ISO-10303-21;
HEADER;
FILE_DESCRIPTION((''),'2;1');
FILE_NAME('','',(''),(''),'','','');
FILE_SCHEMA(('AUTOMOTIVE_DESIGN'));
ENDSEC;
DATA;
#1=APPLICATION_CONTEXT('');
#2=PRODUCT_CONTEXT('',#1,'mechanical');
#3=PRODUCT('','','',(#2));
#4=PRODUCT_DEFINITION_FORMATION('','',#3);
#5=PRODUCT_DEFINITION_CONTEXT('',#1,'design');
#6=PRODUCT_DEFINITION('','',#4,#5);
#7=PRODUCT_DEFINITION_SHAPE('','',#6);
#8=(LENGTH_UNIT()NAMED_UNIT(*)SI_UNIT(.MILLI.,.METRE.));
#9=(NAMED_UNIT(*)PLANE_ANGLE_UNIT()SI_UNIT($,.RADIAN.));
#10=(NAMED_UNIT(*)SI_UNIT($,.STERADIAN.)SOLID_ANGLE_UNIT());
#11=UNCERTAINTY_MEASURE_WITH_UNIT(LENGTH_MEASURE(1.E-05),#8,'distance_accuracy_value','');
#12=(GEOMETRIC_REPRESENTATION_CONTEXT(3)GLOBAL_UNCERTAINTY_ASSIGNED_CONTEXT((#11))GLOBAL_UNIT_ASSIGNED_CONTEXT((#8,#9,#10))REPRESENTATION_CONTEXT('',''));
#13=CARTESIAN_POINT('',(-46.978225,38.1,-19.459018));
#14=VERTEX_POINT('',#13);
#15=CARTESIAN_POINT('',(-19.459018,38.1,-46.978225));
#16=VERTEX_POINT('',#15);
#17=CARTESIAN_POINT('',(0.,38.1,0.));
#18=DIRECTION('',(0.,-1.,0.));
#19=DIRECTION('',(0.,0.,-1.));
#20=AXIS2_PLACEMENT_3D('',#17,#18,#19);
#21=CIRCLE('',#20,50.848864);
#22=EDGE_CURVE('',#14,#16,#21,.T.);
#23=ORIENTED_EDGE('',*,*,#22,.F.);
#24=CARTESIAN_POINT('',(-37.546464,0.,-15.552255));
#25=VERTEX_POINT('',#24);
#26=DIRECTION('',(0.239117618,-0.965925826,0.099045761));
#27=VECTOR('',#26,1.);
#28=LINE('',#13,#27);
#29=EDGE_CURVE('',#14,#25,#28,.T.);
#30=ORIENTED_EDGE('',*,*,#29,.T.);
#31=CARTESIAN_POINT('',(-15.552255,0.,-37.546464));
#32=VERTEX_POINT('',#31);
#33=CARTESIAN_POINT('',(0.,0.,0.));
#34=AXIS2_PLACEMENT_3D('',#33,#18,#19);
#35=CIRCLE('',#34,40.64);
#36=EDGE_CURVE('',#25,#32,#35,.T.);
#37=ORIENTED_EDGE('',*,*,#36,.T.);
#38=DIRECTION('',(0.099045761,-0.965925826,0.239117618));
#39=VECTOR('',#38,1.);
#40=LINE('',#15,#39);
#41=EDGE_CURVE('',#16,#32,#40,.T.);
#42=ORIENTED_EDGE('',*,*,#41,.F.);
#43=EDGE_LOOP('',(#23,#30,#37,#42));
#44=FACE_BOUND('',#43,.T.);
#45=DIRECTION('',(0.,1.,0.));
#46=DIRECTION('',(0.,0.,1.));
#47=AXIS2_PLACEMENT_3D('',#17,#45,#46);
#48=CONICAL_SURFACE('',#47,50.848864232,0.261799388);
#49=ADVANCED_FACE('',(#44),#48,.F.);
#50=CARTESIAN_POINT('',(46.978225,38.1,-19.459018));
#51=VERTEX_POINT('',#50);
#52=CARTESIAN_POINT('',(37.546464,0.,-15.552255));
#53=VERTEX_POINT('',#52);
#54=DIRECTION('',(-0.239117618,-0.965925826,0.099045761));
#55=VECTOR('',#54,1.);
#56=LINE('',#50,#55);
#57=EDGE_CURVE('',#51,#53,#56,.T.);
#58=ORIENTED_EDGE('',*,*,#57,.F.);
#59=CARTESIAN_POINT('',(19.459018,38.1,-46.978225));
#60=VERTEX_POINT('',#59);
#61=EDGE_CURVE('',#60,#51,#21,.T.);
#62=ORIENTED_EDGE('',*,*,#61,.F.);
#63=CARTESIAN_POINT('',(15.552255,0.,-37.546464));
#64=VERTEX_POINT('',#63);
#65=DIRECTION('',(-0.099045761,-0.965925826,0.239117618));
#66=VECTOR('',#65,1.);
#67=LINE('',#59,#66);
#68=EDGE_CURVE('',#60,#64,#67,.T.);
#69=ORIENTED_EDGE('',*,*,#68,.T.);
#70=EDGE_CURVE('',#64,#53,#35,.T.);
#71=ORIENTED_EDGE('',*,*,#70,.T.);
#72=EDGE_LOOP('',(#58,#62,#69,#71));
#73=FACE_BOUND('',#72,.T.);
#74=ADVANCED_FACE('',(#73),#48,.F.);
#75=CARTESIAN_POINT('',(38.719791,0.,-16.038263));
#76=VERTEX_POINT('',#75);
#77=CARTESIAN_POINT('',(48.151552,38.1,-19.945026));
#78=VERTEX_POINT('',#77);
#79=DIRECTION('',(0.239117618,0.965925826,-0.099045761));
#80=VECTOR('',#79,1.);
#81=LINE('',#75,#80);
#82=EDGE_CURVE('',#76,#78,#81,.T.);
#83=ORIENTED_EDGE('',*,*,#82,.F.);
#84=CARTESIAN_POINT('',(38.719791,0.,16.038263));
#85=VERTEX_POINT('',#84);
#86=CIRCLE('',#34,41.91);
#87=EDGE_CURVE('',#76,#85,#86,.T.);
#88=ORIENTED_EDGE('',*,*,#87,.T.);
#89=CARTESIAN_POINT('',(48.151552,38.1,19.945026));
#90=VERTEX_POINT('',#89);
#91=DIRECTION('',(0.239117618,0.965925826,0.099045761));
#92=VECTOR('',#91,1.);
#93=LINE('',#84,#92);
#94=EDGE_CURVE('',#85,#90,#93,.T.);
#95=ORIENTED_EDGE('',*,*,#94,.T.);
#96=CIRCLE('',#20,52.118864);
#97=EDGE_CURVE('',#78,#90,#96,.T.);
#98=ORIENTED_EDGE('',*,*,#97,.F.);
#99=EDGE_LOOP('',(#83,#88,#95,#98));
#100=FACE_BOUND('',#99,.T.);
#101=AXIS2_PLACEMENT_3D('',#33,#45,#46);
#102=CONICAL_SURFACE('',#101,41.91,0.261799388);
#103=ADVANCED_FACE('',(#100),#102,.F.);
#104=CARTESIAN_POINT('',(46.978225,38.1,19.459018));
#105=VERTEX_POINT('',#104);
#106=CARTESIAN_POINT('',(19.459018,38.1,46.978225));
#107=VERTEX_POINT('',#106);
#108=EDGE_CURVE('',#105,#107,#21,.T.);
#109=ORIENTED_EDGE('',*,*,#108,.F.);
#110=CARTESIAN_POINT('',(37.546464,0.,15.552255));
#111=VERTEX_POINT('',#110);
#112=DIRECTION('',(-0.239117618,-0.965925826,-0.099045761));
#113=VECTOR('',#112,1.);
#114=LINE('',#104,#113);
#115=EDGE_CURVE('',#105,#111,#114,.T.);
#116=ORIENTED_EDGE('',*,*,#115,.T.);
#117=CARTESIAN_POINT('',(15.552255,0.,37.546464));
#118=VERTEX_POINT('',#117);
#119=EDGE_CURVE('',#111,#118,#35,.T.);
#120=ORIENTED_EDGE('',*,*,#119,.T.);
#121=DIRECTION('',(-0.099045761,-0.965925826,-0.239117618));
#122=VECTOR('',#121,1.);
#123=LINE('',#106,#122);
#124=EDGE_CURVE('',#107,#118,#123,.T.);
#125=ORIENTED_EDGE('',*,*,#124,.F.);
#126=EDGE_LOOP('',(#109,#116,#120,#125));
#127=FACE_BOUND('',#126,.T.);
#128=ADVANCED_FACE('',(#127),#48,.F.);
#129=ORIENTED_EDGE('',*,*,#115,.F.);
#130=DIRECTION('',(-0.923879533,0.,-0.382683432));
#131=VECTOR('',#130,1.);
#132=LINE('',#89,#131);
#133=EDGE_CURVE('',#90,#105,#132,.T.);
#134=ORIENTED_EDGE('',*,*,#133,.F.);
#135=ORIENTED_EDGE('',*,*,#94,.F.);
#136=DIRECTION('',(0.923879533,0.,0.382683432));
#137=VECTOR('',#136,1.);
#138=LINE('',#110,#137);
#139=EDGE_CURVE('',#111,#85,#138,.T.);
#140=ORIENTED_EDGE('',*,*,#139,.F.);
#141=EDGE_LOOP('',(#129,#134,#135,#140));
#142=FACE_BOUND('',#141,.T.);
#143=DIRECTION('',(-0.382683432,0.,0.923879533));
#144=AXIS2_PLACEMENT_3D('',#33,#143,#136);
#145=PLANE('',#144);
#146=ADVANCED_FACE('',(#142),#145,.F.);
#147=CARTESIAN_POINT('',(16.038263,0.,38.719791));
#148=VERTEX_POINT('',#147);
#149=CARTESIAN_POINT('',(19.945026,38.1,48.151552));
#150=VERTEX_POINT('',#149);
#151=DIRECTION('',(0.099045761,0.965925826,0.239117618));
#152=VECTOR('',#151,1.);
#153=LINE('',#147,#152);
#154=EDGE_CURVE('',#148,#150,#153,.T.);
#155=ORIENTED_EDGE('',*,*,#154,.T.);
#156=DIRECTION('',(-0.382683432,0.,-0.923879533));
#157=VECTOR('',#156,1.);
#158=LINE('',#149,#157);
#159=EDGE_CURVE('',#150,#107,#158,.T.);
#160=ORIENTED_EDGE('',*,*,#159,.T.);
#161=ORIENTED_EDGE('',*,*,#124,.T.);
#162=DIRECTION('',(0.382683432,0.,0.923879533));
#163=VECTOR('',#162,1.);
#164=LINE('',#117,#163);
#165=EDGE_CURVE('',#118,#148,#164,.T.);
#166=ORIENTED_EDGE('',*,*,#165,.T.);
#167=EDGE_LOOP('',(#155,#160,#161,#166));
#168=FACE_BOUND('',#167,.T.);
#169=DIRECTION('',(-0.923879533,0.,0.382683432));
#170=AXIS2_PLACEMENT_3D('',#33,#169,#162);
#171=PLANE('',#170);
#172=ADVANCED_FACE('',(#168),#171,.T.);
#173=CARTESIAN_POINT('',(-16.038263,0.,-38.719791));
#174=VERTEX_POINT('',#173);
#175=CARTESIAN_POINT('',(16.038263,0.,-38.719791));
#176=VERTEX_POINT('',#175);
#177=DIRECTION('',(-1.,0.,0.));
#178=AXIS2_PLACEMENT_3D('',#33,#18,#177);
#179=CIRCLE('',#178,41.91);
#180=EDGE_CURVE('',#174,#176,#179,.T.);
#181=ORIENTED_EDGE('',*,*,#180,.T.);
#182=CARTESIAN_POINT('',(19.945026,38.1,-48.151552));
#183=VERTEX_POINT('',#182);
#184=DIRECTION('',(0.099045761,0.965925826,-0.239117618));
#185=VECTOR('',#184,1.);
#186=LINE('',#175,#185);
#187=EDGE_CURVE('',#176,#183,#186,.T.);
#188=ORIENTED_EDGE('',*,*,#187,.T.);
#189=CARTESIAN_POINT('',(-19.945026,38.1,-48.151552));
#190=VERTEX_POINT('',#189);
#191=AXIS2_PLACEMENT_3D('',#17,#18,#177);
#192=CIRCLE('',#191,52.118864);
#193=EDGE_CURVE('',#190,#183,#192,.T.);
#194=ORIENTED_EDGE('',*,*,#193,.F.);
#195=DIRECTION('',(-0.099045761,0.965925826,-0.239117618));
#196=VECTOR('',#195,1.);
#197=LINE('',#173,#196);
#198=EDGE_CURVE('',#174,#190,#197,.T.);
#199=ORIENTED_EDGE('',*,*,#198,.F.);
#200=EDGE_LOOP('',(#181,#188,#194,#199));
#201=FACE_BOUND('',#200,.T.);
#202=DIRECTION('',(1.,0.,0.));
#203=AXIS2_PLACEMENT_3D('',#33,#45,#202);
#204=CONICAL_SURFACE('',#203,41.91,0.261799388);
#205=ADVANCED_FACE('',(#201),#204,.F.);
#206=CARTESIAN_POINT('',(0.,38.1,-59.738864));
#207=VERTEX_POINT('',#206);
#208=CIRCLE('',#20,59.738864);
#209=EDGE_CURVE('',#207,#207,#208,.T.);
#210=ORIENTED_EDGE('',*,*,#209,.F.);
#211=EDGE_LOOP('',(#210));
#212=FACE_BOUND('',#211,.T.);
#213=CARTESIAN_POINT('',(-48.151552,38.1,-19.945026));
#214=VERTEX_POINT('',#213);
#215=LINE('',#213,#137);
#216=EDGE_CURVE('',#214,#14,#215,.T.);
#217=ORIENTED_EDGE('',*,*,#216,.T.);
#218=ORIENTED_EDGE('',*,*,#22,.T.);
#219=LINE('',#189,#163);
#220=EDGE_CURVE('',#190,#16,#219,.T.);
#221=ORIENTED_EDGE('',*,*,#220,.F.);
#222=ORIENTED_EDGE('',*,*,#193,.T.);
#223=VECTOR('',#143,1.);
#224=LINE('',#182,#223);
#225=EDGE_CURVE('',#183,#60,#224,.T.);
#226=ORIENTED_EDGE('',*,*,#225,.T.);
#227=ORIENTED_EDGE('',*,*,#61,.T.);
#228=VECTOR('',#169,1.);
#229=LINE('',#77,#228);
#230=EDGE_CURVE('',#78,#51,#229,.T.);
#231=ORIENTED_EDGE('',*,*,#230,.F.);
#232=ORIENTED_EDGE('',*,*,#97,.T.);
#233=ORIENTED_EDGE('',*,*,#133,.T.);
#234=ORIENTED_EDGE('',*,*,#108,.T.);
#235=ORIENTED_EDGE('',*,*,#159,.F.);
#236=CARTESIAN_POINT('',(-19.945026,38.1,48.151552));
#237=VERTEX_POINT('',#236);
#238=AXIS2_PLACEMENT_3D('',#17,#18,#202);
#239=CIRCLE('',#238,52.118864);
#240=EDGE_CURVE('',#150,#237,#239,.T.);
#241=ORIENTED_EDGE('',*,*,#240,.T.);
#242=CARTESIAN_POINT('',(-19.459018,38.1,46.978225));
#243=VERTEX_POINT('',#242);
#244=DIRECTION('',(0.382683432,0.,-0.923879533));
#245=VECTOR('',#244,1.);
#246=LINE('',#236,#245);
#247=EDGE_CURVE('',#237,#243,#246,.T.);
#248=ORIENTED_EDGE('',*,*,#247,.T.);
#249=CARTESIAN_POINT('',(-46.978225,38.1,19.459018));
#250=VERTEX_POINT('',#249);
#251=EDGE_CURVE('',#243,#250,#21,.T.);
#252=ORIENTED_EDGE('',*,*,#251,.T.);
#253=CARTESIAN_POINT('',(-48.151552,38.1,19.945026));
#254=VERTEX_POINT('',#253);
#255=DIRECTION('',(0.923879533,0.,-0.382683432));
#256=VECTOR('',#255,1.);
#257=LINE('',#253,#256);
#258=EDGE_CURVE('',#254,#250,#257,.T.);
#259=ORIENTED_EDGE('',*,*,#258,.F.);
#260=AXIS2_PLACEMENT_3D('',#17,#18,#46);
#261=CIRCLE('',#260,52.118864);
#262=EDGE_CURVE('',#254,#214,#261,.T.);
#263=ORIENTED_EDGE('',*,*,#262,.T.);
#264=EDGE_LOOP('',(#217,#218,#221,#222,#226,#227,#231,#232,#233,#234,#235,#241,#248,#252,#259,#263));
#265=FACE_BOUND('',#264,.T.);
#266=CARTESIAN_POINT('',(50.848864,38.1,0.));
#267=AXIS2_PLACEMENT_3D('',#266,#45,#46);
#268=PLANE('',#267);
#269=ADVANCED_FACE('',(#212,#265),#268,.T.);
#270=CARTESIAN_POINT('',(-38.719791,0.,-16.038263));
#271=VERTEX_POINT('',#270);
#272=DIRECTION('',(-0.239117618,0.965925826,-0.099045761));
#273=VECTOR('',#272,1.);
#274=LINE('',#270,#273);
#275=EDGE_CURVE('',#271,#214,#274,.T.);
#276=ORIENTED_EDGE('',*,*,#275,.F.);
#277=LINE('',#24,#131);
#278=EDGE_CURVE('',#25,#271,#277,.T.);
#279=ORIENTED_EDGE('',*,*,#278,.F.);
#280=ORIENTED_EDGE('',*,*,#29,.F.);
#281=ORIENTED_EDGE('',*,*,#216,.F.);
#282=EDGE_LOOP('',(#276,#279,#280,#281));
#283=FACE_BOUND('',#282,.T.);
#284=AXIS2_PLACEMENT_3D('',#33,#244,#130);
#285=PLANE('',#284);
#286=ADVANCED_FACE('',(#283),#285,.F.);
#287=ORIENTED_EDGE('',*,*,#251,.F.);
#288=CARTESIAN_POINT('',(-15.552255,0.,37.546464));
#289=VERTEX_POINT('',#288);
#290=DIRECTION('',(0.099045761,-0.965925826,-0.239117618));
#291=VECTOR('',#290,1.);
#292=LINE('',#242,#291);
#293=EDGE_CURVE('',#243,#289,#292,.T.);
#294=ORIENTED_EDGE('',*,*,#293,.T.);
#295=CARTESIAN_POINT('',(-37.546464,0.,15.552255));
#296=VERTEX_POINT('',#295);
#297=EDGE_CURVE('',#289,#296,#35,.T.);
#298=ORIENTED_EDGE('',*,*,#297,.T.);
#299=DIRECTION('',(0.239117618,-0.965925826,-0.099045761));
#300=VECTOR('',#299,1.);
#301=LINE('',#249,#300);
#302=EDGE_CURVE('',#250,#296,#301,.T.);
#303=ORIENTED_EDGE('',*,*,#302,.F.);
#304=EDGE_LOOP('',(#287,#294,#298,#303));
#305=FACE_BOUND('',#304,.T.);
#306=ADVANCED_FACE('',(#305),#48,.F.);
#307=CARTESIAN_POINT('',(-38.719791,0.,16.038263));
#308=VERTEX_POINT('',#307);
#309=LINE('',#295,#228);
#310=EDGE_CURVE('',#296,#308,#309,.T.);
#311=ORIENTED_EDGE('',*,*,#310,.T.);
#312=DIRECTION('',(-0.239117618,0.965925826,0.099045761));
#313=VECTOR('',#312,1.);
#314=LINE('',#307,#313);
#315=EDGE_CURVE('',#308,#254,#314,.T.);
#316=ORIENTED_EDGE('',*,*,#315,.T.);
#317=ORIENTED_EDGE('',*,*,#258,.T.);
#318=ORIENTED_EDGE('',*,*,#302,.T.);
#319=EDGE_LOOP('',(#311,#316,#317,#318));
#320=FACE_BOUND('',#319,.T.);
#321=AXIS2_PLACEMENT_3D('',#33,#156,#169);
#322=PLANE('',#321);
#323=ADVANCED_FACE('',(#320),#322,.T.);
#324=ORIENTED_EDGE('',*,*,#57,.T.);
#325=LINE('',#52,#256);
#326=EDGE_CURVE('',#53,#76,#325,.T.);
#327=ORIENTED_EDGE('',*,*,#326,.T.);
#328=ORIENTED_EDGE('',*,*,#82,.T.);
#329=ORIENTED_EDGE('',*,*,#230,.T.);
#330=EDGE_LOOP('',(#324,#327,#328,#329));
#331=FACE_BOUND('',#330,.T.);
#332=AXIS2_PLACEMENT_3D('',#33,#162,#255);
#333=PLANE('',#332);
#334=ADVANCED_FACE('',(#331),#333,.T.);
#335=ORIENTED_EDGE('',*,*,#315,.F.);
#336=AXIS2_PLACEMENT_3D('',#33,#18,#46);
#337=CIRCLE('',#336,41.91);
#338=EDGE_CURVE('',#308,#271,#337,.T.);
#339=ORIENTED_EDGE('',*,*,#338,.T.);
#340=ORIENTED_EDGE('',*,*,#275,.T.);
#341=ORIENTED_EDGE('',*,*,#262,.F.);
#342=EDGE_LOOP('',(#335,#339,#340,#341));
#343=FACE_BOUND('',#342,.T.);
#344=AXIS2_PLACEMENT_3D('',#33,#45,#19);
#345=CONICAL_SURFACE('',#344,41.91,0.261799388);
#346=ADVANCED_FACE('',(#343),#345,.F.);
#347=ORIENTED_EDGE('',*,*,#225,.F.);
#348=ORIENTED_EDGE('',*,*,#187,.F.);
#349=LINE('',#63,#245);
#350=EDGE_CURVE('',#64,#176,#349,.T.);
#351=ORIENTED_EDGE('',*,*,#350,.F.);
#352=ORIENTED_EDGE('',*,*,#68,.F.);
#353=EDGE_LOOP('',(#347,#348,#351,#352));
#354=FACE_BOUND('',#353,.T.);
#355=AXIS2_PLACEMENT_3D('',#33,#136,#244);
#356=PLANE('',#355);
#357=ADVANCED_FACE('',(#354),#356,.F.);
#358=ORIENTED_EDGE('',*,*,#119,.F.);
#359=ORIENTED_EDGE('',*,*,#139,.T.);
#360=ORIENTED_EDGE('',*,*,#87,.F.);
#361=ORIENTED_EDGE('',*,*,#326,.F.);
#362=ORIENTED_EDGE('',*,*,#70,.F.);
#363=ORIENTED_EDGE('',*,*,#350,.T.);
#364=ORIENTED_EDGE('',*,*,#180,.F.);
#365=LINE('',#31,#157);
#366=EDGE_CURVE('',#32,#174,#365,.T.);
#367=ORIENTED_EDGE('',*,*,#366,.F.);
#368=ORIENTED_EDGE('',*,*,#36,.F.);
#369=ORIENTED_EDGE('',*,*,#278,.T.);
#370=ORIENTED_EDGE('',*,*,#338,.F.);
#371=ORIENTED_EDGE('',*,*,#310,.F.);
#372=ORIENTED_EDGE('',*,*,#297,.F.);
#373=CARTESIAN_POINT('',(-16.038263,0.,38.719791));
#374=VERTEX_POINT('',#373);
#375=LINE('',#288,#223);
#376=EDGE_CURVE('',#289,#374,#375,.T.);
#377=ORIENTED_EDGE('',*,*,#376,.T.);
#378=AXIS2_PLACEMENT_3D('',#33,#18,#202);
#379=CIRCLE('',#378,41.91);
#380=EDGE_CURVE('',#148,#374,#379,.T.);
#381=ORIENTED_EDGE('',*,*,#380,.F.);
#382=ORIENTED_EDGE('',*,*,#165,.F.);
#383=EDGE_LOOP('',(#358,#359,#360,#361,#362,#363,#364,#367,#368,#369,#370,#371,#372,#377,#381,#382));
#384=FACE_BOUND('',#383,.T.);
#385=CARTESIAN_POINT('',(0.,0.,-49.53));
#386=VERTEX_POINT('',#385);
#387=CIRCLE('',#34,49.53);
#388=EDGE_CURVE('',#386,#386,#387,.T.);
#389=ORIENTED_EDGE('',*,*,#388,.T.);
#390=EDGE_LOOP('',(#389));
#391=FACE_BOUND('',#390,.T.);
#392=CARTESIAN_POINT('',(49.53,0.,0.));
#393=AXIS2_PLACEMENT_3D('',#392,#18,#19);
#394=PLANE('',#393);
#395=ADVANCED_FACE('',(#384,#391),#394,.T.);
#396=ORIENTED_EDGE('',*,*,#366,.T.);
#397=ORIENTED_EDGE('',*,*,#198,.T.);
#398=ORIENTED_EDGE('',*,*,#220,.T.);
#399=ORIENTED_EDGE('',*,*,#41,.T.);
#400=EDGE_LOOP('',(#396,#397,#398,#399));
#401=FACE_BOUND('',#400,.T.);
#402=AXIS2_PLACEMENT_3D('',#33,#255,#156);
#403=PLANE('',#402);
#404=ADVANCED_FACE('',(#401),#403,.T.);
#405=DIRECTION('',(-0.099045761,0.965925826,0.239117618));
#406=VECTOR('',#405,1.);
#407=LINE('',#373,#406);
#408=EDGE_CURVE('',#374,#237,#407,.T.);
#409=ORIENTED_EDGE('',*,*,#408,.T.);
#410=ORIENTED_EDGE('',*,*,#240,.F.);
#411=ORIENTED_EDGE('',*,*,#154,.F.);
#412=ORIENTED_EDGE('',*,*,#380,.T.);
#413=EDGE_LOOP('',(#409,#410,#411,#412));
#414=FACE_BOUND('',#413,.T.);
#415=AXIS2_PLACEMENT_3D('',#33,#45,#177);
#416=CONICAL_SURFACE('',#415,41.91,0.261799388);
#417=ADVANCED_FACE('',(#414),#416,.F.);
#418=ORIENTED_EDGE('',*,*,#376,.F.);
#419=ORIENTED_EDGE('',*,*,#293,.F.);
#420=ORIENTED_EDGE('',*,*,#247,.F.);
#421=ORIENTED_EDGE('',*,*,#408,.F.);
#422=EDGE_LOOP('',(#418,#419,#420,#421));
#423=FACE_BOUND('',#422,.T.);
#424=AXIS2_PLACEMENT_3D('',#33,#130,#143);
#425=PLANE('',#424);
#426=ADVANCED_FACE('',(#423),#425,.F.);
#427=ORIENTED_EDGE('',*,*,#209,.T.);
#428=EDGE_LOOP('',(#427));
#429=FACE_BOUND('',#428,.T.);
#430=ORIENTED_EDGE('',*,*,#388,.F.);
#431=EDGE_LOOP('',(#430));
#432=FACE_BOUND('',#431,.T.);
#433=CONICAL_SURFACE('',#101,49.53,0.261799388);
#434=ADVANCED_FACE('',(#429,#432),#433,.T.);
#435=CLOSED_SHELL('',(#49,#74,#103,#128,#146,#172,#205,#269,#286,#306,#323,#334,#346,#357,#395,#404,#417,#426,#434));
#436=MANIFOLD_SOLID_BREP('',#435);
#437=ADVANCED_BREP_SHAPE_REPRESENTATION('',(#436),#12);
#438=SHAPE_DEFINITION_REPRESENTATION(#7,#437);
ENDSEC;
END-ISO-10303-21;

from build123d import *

# Parameters (mm, degrees)
CUT_REVOLVE1_ANGLE = 45
CIRPATTERN1_COUNT  = 4


with BuildPart() as part:
    # Sketch1 → Revolve1 (revolve)
    with BuildSketch(Plane.XY, mode=Mode.PRIVATE) as revolve1_sk:
        Polygon((40.64, 0), (50.848864232, 38.1), (59.738864232, 38.1), (49.53, 0), align=None)
    revolve(revolve1_sk.sketch.rotate(Axis((0, 0, 0), (0, 1, 0)), 90), axis=Axis((0, 0, 0), (0, 1, 0)))

    # Sketch2 → Cut-Revolve1 (revolve, symmetric, cut)
    with BuildSketch(Plane.XY) as cut_revolve1_sk:
        Polygon((50.848864232, 38.1), (40.64, 0), (41.91, 0), (52.118864232, 38.1), align=None)
    cut_revolve1 = revolve(axis=Axis((0, 0, 0), (0, 1, 0)), revolution_arc=CUT_REVOLVE1_ANGLE / 2, mode=Mode.SUBTRACT)
    cut_revolve1 = cut_revolve1 + revolve(cut_revolve1_sk.sketch, axis=Axis((0, 0, 0), (0, -1, 0)), revolution_arc=CUT_REVOLVE1_ANGLE / 2, mode=Mode.SUBTRACT)

    # CirPattern1: Cut-Revolve1 ×4 about axis
    cirpattern1_axis = Axis((0, 38.1, 0), (0, -1, 0))
    for i in range(1, CIRPATTERN1_COUNT):
        add(cut_revolve1.rotate(cirpattern1_axis, i * 360 / CIRPATTERN1_COUNT), mode=Mode.SUBTRACT)


solid = part.part
